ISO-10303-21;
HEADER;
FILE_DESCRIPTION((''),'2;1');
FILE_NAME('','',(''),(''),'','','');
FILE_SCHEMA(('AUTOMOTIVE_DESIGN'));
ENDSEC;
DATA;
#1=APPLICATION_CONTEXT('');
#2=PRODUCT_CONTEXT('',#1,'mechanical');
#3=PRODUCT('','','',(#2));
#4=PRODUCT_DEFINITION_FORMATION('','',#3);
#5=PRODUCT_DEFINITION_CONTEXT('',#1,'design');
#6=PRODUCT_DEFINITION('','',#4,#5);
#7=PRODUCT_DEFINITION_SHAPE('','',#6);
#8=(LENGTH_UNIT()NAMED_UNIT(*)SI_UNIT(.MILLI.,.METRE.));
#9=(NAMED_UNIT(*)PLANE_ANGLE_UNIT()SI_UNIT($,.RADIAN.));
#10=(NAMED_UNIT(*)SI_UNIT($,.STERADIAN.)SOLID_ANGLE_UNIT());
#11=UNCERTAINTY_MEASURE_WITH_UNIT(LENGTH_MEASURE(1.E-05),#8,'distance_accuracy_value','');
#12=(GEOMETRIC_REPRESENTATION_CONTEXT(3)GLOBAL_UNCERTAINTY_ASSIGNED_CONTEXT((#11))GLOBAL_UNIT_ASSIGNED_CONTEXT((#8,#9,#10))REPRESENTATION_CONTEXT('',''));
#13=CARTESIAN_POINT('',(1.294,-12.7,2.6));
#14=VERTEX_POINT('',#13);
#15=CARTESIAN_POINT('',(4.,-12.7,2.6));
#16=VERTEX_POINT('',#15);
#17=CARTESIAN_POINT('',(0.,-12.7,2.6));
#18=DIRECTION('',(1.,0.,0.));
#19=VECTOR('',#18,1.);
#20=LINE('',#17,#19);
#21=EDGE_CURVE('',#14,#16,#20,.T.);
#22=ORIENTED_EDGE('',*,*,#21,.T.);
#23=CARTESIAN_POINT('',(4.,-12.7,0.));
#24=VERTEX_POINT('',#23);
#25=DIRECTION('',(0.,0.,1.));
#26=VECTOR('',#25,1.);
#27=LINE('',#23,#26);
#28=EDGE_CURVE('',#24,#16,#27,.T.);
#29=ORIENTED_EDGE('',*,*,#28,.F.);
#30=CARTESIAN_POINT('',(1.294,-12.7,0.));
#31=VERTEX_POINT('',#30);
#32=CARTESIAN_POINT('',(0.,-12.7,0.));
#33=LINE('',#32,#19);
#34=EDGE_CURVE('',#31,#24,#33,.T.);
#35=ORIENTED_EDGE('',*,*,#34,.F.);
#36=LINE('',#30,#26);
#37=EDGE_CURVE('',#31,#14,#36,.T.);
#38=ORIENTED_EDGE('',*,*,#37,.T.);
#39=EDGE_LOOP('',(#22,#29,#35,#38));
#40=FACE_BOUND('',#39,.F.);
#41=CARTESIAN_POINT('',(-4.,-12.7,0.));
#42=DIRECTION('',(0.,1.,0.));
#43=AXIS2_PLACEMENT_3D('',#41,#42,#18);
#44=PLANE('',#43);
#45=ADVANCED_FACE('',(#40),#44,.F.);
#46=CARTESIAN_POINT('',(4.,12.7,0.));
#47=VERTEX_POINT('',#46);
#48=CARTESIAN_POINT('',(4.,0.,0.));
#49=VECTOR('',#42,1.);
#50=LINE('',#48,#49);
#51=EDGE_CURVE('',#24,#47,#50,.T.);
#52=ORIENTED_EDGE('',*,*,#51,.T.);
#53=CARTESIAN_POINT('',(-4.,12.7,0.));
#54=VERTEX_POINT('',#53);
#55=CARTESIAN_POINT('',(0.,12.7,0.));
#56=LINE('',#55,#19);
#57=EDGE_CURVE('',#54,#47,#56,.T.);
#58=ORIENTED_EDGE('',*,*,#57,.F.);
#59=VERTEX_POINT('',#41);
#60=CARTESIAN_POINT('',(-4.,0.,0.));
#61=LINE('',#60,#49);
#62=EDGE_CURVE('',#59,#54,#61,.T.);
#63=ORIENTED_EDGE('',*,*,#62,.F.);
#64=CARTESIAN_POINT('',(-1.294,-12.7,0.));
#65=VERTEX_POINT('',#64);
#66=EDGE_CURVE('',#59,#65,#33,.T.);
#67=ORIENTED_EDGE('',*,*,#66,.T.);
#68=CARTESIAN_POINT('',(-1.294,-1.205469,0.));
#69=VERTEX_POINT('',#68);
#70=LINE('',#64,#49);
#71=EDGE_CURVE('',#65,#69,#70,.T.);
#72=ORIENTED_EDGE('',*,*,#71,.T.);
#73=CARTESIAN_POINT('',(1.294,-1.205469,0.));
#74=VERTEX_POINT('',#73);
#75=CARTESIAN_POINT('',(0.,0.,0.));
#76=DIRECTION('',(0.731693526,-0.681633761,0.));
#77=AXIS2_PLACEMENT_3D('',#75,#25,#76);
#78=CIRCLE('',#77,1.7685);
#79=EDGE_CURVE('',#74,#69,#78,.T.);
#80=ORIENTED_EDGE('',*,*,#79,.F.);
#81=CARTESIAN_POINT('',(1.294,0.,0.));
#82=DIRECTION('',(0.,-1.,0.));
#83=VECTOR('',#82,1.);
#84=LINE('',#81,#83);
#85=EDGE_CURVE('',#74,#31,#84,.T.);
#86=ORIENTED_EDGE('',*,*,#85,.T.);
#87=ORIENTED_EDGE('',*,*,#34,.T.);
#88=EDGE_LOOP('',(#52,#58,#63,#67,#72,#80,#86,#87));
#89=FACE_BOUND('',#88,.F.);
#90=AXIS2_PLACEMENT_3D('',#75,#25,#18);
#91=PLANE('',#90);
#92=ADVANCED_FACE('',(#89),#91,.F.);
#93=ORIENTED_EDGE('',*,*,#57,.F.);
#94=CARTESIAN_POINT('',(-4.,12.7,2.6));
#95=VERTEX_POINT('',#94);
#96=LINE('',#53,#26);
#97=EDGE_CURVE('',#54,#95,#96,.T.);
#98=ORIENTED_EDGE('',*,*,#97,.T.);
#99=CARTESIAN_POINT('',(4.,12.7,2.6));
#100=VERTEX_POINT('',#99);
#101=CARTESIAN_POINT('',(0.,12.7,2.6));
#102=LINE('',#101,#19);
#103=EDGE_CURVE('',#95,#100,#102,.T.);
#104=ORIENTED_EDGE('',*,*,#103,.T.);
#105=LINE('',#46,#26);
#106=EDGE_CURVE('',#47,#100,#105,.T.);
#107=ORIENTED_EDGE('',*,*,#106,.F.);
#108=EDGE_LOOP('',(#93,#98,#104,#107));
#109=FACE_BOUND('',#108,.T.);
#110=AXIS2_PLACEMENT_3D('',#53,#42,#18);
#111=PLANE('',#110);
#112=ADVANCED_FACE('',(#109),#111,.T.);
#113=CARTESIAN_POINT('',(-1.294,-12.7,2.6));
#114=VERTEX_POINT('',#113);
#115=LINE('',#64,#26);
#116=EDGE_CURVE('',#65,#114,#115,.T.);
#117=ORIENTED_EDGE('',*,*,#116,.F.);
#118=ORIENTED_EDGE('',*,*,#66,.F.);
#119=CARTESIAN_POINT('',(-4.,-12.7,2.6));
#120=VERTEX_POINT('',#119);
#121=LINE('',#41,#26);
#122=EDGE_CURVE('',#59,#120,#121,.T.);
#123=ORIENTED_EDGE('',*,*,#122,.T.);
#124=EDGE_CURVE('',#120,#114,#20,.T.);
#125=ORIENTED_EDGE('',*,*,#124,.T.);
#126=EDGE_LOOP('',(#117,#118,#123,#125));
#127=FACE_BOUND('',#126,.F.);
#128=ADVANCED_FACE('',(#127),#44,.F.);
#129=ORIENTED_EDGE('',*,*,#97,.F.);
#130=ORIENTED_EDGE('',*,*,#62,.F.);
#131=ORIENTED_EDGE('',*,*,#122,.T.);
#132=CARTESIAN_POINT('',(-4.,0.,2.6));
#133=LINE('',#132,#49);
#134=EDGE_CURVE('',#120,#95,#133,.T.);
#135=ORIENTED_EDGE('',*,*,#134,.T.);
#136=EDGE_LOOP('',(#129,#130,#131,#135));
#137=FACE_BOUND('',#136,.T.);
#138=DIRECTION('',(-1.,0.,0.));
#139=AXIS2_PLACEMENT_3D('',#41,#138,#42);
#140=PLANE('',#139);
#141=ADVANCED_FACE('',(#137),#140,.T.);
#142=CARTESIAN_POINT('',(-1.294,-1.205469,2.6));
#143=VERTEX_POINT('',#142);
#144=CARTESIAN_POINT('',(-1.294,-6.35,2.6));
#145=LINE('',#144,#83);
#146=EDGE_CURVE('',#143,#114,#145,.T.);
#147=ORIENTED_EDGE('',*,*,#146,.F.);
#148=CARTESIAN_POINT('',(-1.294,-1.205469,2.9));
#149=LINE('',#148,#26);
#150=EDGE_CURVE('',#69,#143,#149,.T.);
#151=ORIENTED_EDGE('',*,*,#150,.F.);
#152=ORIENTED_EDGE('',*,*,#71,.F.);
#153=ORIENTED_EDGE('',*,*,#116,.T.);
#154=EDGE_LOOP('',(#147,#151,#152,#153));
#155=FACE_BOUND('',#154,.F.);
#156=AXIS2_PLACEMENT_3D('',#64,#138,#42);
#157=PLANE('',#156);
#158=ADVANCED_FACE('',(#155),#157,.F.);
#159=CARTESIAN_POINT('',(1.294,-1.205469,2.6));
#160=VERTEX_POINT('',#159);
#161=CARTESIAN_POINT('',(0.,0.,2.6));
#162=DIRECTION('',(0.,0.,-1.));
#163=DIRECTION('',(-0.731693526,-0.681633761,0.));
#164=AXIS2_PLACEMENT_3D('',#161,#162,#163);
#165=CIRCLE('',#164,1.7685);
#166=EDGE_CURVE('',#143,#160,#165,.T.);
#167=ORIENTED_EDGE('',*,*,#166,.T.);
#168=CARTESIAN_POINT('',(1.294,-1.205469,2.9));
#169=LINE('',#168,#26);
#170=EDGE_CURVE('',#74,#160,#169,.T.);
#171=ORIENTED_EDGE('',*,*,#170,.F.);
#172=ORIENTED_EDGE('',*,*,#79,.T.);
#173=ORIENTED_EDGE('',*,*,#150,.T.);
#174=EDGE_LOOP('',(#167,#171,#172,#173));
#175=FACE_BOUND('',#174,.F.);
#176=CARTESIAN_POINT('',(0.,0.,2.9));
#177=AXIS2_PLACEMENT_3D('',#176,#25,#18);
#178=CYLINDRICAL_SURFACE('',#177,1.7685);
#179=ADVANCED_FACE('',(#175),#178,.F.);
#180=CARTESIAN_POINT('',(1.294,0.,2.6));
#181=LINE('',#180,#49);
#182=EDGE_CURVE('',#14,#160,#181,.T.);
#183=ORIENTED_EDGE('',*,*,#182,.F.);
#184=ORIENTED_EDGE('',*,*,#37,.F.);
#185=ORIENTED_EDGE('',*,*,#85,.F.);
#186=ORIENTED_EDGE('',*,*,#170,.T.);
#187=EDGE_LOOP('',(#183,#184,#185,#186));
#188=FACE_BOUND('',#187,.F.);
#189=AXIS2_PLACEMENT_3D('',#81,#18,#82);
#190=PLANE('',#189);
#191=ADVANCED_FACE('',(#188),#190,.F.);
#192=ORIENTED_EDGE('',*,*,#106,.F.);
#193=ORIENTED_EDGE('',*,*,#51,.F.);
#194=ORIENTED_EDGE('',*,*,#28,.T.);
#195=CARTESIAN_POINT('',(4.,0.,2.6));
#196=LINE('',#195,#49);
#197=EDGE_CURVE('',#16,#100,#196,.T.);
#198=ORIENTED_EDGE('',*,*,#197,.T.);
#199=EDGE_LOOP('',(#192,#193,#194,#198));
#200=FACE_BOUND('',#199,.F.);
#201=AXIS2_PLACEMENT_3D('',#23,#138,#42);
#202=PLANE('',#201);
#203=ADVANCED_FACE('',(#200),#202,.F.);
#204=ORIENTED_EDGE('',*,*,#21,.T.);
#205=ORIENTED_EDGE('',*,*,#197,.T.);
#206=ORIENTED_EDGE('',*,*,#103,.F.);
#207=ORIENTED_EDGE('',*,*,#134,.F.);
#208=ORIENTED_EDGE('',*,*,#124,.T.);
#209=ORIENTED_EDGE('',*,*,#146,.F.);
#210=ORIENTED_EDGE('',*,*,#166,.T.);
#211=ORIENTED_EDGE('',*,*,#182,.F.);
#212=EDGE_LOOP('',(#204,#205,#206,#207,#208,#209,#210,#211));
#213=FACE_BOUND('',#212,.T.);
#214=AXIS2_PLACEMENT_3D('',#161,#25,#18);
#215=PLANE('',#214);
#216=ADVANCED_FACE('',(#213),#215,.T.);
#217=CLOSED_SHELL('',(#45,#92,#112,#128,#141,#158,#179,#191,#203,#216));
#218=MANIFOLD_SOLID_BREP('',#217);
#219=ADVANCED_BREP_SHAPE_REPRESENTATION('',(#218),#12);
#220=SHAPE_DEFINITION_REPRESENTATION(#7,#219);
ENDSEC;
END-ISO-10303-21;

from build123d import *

# Parameters (mm, degrees)
SKETCH032_W     = 8
SKETCH032_H     = 25.4
PAD005_DEPTH    = 2.6
POCKET031_DEPTH = 2.601
SKETCH035_R     = 1.7685
POCKET032_DEPTH = 2.901


with BuildPart() as part:
    # Sketch032 → Pad005 (new body)
    with BuildSketch(Plane.XY):
        Rectangle(SKETCH032_W, SKETCH032_H)
    extrude(amount=PAD005_DEPTH)

    # Sketch033 (on Face5 of Pad005) → Pocket031 (cut, through all)
    with BuildSketch(Plane(origin=(0, 0, 0), x_dir=(1, 0, 0), z_dir=(0, 0, -1))):
        with BuildLine():
            ThreePointArc((-1.294, 0), (0, -1.294), (1.294, 0))
            Line((1.294, 0), (1.294, 12.7))
            Line((1.294, 12.7), (-1.294, 12.7))
            Line((-1.294, 12.7), (-1.294, 0))
        make_face()
    extrude(amount=-POCKET031_DEPTH, mode=Mode.SUBTRACT)

    # Sketch035 → Pocket032 (cut, through all)
    with BuildSketch(Plane.XY.offset(2.9)):
        Circle(SKETCH035_R)
    extrude(amount=-POCKET032_DEPTH, mode=Mode.SUBTRACT)


solid = part.part
